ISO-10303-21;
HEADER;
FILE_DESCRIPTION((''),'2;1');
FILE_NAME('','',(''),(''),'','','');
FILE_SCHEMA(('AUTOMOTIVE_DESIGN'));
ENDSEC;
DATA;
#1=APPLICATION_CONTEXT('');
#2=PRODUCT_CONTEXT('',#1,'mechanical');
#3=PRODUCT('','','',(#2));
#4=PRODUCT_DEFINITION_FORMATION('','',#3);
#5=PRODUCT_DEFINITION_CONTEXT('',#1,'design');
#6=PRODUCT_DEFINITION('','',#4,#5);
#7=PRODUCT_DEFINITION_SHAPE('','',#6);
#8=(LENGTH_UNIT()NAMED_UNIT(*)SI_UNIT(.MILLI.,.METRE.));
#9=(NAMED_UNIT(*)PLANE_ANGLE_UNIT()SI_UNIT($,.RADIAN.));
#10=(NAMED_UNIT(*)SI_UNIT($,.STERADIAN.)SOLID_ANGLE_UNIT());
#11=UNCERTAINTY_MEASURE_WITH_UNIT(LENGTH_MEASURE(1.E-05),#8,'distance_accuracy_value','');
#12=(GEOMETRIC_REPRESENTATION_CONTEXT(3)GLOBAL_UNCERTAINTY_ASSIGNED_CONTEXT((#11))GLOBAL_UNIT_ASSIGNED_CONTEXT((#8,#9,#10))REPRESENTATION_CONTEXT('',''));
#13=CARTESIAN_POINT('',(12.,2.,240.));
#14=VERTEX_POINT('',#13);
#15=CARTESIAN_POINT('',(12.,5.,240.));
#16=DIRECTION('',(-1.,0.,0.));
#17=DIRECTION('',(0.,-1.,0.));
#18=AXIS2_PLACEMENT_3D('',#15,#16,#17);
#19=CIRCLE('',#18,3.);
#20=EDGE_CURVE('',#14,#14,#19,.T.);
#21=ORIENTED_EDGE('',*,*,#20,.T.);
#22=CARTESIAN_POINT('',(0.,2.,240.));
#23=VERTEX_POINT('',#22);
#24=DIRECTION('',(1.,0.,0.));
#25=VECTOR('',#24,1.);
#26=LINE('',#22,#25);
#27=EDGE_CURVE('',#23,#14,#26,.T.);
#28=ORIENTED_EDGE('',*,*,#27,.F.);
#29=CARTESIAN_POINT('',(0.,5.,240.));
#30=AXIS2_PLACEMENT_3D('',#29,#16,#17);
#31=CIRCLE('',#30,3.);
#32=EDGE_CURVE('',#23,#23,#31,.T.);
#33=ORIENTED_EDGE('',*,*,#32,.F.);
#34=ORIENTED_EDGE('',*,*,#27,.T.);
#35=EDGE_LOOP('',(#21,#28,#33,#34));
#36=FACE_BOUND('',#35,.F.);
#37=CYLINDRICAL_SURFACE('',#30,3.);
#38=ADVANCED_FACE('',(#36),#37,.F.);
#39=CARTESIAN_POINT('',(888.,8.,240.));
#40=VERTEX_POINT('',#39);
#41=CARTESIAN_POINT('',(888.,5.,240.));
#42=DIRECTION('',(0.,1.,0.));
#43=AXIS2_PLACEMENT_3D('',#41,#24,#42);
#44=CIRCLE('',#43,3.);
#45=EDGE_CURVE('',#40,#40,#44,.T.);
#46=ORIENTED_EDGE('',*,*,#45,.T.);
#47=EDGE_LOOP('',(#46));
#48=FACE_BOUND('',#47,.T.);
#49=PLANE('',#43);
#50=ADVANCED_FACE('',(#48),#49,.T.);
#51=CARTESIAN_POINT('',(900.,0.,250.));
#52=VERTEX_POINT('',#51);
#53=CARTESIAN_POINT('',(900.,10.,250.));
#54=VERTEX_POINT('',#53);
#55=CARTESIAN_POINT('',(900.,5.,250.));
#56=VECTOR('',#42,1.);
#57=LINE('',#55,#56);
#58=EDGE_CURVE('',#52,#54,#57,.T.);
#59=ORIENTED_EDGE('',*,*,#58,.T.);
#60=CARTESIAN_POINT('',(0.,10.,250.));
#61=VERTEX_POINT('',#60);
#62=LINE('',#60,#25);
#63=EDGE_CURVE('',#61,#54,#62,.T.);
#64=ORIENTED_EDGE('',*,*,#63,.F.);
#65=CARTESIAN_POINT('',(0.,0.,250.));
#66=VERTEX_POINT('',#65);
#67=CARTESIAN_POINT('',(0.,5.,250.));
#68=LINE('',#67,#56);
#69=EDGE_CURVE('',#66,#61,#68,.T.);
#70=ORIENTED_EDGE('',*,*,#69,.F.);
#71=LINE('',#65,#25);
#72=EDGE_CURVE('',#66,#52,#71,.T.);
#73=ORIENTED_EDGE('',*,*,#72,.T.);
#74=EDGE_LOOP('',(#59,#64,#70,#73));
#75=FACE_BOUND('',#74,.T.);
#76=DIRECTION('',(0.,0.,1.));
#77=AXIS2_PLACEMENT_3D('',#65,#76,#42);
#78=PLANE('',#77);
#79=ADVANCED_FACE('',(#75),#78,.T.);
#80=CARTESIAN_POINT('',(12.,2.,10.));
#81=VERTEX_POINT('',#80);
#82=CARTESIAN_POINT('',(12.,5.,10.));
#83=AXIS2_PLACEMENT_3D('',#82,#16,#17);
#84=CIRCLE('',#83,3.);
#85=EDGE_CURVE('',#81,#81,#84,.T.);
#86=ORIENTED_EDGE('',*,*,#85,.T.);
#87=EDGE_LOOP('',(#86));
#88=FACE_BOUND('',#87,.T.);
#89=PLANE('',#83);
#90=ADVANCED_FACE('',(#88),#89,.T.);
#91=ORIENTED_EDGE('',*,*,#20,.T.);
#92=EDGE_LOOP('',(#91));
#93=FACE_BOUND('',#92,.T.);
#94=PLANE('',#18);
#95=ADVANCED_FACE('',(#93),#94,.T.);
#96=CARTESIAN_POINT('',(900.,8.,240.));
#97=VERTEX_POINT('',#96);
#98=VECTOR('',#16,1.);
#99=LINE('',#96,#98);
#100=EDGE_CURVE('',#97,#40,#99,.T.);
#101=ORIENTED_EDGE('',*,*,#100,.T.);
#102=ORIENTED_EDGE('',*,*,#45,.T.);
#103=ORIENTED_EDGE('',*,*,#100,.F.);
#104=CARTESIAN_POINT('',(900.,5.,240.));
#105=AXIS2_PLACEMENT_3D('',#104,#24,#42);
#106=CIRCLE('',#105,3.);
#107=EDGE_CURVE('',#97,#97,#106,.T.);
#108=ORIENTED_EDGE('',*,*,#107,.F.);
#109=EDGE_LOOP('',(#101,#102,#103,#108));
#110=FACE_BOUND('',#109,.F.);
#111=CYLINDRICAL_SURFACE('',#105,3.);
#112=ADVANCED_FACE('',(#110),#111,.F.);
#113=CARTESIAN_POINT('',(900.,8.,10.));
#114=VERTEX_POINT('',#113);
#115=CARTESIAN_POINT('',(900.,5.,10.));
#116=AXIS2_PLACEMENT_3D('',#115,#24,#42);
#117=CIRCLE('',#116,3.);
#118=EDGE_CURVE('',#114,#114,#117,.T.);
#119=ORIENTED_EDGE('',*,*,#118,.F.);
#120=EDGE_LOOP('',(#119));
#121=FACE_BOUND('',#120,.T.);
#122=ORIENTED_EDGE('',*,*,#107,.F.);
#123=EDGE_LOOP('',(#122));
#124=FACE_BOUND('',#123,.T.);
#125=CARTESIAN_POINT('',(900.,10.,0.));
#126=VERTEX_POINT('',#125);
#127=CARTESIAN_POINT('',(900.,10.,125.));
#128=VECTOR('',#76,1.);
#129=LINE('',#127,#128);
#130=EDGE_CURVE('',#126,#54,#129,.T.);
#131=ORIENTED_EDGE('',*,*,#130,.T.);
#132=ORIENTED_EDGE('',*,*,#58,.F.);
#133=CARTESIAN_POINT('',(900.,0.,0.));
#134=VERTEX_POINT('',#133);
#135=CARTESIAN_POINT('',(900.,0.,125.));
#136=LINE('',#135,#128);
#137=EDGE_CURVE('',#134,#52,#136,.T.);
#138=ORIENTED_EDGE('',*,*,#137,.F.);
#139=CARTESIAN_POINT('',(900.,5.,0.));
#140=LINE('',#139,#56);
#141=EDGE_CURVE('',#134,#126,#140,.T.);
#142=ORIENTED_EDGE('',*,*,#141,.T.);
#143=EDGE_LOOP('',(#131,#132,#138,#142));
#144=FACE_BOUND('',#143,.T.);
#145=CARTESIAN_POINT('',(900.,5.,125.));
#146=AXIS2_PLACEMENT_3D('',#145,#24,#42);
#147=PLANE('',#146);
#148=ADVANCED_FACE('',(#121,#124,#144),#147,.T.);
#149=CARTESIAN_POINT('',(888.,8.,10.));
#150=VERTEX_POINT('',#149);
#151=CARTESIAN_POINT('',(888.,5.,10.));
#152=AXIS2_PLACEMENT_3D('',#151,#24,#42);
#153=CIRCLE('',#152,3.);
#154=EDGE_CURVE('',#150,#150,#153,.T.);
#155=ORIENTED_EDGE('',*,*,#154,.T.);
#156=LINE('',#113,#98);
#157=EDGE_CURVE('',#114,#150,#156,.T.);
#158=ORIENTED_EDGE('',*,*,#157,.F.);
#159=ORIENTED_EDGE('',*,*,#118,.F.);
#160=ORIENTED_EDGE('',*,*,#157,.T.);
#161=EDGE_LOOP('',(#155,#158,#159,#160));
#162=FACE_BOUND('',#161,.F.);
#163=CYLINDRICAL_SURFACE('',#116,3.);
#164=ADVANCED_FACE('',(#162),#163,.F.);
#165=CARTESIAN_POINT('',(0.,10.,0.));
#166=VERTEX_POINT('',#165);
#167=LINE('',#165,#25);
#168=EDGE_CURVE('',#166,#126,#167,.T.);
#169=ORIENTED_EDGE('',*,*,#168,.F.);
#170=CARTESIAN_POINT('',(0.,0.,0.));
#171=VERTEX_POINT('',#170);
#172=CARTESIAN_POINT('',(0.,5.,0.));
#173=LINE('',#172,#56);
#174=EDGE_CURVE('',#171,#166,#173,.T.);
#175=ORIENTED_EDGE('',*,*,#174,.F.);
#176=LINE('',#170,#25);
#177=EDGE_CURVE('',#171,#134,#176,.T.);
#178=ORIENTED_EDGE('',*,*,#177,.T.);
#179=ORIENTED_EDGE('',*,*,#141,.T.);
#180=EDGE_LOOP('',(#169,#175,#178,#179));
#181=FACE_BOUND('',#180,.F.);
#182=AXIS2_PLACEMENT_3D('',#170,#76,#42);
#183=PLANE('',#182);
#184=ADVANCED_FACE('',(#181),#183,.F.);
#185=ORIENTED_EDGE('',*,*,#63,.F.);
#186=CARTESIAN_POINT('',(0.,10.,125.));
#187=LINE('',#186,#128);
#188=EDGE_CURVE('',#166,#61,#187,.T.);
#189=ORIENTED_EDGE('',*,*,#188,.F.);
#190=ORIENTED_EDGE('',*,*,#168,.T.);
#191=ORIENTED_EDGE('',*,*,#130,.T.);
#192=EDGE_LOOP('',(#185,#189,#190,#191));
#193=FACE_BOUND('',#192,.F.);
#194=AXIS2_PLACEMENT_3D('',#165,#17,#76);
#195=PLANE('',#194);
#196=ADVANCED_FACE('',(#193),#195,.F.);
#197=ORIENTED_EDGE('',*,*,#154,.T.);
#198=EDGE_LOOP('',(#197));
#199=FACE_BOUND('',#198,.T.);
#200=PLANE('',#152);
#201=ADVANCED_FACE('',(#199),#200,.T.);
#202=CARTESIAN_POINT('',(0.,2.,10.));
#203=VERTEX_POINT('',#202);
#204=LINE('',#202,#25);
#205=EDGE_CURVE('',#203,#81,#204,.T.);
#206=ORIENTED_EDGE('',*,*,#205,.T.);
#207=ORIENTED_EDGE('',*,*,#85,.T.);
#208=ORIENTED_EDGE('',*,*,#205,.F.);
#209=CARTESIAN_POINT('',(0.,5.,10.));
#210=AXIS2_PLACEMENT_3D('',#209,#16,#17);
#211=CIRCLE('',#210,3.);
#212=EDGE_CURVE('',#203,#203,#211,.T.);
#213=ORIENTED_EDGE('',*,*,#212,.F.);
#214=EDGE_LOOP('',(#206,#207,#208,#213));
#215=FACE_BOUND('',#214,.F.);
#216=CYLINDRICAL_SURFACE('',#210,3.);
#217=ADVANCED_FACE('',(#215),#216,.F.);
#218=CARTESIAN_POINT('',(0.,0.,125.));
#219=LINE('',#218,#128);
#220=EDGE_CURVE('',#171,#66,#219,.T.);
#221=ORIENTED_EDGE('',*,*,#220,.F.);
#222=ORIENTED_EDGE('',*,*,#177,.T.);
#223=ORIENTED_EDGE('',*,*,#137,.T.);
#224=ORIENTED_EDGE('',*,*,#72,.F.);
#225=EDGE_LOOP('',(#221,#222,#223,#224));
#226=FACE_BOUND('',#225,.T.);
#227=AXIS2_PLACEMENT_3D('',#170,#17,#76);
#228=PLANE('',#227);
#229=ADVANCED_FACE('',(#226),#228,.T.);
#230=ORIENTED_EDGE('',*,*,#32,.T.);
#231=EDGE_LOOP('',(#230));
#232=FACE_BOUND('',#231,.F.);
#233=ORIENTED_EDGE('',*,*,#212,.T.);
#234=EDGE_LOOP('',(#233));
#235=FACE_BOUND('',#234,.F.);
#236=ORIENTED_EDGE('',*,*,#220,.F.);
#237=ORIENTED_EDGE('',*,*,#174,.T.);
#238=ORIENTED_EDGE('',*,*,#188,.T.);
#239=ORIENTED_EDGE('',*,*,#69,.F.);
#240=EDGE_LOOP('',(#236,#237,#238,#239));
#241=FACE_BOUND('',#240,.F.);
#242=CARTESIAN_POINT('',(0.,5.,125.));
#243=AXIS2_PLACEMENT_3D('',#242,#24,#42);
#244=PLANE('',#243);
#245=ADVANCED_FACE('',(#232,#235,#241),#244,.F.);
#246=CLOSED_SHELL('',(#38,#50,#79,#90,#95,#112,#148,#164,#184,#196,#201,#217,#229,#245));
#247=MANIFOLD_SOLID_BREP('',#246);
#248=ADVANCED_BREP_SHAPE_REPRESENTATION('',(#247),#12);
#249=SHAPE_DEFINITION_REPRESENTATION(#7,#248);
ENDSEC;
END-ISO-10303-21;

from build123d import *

# Parameters (mm, degrees)
F0_W     = 10
F0_H     = 250
F1_DEPTH = 900
F2_R     = 3
F3_DEPTH = 12
F4_R     = 3
F5_DEPTH = 12


with BuildPart() as f1:
    # F0 (on Right) → F1 (new body)
    with BuildSketch(Plane.YZ):
        with Locations((5, 125)):
            Rectangle(F0_W, F0_H)
    extrude(amount=F1_DEPTH)

    # F2 (on face) → F3 (cut)
    with BuildSketch(Plane.YZ.offset(900)):
        with Locations((5, 240)):
            Circle(F2_R)
        with Locations((5, 10)):
            Circle(F2_R)
    extrude(amount=-F3_DEPTH, mode=Mode.SUBTRACT)

    # F4 (on face) → F5 (cut)
    with BuildSketch(Plane(origin=(0, 0, 0), x_dir=(0, -1, 0), z_dir=(-1, 0, 0))):
        with Locations((-5, 240)):
            Circle(F4_R)
        with Locations((-5, 10)):
            Circle(F4_R)
    extrude(amount=-F5_DEPTH, mode=Mode.SUBTRACT)


solid = f1.part
